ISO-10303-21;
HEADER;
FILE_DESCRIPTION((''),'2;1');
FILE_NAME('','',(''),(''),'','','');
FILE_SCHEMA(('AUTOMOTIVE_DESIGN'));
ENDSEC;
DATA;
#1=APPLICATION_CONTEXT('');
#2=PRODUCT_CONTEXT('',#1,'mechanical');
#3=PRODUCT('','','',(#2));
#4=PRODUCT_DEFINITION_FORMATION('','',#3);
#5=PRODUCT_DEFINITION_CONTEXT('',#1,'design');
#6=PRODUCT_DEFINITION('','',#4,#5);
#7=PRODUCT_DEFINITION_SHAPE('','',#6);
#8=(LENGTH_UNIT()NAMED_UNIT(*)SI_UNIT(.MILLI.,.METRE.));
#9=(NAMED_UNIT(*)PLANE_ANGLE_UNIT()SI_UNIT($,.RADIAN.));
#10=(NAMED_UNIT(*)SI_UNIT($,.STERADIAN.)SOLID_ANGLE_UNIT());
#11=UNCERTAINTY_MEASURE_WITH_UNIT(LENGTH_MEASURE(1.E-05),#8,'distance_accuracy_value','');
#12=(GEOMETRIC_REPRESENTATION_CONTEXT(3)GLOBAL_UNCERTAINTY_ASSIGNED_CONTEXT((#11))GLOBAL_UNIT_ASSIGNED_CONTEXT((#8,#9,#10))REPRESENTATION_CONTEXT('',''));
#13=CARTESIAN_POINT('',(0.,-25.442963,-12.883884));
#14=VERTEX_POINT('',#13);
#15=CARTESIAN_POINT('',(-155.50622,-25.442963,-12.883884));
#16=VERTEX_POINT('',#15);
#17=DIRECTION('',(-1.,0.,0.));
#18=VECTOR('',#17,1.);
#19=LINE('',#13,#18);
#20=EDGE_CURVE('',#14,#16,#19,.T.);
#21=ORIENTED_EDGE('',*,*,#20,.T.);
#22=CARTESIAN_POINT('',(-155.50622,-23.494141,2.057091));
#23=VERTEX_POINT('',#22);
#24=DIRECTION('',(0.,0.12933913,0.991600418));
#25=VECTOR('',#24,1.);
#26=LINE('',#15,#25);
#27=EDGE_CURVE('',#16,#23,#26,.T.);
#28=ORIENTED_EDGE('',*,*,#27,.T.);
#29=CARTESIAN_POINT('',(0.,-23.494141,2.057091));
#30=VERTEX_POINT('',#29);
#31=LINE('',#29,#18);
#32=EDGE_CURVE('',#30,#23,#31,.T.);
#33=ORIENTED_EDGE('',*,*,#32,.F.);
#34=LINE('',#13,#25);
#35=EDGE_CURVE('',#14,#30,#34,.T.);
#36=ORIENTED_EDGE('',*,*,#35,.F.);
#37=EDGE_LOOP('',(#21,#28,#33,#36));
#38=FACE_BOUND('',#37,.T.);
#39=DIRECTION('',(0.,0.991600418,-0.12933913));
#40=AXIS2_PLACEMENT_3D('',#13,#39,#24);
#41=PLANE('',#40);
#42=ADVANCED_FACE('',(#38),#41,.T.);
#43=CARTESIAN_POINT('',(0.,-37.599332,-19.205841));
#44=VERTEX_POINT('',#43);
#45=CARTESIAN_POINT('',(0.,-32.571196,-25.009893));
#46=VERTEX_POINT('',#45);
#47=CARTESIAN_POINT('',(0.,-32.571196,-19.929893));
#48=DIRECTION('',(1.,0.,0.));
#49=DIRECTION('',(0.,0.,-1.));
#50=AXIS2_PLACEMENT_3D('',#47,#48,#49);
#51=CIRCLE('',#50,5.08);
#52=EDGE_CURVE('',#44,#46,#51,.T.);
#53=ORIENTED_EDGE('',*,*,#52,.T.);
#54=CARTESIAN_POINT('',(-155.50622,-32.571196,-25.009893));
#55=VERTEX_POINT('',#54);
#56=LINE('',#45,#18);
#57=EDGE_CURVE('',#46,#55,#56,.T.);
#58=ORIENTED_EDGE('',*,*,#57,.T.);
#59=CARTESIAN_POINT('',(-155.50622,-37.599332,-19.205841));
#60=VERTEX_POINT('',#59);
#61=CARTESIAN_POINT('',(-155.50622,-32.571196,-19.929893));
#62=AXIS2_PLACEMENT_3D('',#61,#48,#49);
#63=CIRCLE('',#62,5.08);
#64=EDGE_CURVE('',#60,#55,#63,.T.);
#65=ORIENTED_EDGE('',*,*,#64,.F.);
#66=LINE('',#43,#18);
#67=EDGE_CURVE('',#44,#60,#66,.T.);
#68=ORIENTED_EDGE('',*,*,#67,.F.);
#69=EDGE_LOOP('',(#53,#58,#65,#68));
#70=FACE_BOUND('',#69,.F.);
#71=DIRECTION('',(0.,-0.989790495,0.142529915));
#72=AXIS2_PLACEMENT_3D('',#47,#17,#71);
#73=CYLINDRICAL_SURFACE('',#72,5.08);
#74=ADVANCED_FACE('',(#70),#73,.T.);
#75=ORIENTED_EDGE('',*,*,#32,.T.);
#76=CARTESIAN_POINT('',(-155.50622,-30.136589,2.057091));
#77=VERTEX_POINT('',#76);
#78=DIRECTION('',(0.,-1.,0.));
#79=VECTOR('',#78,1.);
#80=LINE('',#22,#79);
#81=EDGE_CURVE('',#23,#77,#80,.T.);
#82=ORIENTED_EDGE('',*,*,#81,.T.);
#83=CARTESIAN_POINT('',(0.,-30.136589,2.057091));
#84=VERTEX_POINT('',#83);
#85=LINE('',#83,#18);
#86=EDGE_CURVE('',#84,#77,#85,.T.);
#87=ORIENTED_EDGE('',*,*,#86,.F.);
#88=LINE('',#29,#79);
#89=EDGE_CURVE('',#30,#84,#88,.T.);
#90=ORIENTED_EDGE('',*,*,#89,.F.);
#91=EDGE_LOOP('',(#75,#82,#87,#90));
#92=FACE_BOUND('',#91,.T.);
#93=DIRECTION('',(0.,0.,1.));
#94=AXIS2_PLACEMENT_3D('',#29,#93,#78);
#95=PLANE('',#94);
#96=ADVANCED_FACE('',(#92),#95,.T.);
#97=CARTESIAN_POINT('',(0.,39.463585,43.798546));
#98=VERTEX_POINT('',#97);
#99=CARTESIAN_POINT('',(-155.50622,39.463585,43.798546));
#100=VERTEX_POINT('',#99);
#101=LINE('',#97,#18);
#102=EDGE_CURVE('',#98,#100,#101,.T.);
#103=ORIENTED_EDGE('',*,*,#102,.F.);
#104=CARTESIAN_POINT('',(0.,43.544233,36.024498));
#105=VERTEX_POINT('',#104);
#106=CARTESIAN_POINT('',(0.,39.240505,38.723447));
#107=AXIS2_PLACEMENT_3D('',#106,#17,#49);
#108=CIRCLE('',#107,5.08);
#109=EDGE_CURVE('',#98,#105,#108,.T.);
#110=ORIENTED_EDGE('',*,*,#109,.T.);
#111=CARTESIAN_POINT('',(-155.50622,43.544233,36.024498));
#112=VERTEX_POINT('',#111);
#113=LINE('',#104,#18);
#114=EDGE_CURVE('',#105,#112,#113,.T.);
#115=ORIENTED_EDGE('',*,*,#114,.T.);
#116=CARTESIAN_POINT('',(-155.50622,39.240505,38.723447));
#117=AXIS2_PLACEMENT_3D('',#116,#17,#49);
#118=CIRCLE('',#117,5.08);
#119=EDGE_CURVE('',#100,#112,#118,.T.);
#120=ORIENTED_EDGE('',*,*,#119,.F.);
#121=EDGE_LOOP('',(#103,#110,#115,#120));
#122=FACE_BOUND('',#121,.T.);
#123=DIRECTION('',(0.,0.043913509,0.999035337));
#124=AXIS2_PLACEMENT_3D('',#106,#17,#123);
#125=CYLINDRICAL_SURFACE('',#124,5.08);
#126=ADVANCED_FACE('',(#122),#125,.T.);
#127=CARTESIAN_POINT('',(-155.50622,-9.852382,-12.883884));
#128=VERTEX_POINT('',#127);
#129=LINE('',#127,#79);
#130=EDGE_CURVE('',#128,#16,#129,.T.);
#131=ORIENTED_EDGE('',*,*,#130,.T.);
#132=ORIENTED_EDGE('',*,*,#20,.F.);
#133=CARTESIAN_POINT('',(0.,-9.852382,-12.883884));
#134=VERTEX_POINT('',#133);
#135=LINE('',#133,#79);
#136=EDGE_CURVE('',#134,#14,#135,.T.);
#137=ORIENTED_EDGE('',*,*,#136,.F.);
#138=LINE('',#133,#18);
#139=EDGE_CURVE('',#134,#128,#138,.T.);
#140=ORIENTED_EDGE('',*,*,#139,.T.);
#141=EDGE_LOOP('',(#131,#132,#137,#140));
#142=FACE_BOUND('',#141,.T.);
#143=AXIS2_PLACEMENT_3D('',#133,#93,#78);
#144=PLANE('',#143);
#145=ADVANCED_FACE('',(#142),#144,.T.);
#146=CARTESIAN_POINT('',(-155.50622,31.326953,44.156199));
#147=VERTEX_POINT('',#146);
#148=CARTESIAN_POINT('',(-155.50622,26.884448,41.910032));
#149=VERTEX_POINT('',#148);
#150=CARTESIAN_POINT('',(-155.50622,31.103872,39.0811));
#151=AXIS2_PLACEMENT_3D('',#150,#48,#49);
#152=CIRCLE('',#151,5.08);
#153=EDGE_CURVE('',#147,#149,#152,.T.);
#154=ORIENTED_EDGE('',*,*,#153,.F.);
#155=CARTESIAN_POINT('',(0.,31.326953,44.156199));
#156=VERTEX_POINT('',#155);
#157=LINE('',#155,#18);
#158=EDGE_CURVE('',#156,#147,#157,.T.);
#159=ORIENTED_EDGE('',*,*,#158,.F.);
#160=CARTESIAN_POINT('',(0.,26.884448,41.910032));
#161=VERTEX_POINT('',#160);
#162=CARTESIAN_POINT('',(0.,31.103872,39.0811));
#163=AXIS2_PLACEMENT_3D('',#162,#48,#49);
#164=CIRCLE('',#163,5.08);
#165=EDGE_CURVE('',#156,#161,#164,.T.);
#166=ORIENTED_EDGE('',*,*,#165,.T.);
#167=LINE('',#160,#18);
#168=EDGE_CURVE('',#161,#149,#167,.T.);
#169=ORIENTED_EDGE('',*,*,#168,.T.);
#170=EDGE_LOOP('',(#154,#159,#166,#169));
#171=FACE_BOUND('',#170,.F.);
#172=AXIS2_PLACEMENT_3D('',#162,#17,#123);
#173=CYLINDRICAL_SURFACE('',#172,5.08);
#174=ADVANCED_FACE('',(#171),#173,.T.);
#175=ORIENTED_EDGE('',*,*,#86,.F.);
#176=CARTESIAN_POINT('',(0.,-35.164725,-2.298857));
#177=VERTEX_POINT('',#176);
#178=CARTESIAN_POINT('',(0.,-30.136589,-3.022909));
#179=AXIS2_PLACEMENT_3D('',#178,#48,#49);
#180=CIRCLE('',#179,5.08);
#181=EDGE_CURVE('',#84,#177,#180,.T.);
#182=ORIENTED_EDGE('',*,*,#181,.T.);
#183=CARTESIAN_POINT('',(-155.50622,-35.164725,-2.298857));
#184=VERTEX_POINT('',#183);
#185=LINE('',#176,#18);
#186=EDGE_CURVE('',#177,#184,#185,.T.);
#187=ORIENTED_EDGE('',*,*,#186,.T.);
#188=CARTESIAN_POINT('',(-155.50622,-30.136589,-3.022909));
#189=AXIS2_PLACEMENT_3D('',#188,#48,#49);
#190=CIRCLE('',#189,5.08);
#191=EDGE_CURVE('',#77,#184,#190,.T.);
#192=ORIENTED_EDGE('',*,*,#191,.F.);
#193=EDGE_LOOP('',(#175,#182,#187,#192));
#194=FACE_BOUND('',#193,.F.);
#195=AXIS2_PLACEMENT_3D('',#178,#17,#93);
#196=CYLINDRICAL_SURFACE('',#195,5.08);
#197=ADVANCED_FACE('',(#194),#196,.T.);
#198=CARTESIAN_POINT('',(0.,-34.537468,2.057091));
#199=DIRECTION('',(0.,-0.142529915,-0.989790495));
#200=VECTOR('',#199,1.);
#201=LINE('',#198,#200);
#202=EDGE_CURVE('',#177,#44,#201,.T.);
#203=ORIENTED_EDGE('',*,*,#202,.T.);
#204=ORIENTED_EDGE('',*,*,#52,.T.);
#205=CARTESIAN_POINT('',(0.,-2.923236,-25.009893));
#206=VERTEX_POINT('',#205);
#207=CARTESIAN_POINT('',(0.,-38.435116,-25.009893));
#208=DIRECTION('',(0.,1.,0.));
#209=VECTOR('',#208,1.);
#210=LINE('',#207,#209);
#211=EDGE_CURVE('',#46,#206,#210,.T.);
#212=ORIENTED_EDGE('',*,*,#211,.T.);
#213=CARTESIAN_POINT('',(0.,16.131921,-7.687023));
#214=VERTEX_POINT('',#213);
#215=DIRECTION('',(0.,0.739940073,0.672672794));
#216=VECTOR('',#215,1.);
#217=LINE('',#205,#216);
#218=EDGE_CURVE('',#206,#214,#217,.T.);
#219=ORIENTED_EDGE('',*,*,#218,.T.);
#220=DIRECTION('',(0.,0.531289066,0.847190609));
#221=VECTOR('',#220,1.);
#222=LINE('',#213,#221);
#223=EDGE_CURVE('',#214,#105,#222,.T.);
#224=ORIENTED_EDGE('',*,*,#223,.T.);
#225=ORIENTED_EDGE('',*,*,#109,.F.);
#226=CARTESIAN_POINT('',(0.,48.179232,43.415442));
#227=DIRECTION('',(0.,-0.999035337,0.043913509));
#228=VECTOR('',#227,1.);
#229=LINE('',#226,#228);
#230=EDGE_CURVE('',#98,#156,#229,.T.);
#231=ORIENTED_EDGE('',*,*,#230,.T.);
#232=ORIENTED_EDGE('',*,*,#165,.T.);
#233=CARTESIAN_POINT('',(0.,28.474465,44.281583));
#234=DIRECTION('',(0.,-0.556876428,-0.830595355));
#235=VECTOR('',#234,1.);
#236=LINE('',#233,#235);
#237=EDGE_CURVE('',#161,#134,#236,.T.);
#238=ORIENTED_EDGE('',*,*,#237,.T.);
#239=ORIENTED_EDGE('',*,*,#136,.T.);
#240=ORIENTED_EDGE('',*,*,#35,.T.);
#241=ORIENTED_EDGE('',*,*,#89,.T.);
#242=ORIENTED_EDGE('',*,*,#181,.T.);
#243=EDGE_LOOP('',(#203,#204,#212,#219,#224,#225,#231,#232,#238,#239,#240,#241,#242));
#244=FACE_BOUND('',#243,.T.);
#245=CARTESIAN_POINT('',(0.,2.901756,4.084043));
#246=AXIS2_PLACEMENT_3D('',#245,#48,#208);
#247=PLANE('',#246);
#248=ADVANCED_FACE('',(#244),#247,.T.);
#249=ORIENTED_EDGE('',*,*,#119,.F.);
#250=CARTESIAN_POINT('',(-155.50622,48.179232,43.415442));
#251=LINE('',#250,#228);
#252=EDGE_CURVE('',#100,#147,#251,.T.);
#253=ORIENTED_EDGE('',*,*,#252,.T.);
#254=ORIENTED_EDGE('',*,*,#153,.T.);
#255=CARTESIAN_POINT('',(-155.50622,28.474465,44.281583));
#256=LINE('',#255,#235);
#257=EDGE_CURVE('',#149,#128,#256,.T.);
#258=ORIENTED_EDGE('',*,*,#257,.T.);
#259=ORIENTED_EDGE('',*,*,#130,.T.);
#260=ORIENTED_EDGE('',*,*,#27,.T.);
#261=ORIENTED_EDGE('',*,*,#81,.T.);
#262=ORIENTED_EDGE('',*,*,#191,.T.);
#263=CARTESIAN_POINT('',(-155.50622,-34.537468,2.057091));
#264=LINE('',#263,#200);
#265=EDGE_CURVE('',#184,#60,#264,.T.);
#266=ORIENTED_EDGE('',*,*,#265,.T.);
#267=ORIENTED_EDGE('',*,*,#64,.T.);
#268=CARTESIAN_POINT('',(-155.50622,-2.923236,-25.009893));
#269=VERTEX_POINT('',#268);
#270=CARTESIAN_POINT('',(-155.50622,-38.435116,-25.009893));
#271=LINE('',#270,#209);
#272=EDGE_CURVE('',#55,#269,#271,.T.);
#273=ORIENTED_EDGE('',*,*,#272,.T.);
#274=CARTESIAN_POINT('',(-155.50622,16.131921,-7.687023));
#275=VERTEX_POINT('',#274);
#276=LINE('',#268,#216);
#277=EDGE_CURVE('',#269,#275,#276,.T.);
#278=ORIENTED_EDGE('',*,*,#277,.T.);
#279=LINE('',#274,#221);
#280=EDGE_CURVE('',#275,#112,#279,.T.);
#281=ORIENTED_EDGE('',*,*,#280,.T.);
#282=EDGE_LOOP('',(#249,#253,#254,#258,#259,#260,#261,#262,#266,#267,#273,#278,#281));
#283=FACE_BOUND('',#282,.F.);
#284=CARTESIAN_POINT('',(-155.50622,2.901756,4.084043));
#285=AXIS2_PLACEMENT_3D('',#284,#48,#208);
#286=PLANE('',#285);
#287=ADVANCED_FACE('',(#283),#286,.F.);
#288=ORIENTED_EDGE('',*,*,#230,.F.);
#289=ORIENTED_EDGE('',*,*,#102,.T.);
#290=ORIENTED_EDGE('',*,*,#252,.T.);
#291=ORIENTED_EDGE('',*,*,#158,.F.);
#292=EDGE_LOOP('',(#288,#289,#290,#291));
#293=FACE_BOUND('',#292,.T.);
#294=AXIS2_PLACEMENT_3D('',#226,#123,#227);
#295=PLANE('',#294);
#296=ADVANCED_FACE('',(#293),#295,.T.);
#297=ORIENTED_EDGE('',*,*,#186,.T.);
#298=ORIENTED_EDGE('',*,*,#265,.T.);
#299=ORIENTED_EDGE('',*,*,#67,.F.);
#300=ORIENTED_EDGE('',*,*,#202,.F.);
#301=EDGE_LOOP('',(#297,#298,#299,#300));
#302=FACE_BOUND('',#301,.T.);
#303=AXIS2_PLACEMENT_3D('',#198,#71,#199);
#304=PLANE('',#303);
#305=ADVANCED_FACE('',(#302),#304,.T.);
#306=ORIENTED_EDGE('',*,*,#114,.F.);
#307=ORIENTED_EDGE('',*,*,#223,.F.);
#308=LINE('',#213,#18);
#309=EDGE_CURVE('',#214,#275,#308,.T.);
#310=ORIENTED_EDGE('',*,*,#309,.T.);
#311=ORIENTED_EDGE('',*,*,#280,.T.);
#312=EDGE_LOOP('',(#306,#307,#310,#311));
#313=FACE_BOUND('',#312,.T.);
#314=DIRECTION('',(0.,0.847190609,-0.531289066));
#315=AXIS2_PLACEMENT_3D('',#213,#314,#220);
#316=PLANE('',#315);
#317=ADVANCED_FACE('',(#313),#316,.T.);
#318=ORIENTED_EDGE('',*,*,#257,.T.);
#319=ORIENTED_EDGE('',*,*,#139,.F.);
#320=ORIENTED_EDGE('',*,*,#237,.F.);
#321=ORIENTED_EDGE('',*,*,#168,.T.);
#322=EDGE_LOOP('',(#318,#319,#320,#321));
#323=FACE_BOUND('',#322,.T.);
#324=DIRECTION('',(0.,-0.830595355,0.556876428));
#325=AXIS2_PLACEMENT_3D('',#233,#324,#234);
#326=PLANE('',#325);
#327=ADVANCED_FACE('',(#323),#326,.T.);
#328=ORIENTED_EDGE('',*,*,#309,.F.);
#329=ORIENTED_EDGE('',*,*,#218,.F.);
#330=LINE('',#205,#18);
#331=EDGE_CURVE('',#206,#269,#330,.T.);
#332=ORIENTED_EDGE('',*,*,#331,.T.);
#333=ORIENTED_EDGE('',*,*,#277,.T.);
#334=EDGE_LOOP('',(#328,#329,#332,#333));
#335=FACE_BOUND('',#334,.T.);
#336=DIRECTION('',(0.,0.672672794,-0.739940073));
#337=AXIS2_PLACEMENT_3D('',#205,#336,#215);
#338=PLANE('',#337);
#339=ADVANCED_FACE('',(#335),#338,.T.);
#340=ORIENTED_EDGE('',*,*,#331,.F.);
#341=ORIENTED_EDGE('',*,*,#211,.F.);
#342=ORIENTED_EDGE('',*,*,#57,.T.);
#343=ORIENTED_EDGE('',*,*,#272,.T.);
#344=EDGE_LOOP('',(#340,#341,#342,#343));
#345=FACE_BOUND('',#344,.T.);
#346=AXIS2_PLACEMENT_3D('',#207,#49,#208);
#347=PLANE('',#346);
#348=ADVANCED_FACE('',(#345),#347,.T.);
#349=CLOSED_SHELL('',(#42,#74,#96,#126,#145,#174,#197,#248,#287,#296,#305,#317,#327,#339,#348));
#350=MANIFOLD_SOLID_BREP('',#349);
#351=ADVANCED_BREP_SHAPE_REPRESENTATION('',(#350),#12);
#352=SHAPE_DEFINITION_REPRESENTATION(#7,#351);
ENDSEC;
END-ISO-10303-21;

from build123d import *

# Parameters (mm, degrees)
F1_DEPTH = 155.50622
F2_R     = 5.08


with BuildPart() as f1:
    # F0 (on Right) → F1 (new body)
    with BuildSketch(Plane.YZ):
        Polygon((48.179232, 43.415442), (28.474465, 44.281583), (-9.852382, -12.883884), (-25.442963, -12.883884), (-23.494141, 2.057091), (-34.537468, 2.057091), (-38.435116, -25.009893), (-2.923236, -25.009893), (16.131921, -7.687023), align=None)
    extrude(amount=-F1_DEPTH)

    # F2
    f2_edges = [f1.edges().sort_by_distance(p)[0] for p in [
        (-77.75311, 28.474465, 44.281583),
        (-77.75311, 48.179232, 43.415442),
        (-77.75311, -34.537468, 2.057091),
        (-77.75311, -38.435116, -25.009893),
    ]]
    fillet(f2_edges, radius=F2_R)


solid = f1.part
